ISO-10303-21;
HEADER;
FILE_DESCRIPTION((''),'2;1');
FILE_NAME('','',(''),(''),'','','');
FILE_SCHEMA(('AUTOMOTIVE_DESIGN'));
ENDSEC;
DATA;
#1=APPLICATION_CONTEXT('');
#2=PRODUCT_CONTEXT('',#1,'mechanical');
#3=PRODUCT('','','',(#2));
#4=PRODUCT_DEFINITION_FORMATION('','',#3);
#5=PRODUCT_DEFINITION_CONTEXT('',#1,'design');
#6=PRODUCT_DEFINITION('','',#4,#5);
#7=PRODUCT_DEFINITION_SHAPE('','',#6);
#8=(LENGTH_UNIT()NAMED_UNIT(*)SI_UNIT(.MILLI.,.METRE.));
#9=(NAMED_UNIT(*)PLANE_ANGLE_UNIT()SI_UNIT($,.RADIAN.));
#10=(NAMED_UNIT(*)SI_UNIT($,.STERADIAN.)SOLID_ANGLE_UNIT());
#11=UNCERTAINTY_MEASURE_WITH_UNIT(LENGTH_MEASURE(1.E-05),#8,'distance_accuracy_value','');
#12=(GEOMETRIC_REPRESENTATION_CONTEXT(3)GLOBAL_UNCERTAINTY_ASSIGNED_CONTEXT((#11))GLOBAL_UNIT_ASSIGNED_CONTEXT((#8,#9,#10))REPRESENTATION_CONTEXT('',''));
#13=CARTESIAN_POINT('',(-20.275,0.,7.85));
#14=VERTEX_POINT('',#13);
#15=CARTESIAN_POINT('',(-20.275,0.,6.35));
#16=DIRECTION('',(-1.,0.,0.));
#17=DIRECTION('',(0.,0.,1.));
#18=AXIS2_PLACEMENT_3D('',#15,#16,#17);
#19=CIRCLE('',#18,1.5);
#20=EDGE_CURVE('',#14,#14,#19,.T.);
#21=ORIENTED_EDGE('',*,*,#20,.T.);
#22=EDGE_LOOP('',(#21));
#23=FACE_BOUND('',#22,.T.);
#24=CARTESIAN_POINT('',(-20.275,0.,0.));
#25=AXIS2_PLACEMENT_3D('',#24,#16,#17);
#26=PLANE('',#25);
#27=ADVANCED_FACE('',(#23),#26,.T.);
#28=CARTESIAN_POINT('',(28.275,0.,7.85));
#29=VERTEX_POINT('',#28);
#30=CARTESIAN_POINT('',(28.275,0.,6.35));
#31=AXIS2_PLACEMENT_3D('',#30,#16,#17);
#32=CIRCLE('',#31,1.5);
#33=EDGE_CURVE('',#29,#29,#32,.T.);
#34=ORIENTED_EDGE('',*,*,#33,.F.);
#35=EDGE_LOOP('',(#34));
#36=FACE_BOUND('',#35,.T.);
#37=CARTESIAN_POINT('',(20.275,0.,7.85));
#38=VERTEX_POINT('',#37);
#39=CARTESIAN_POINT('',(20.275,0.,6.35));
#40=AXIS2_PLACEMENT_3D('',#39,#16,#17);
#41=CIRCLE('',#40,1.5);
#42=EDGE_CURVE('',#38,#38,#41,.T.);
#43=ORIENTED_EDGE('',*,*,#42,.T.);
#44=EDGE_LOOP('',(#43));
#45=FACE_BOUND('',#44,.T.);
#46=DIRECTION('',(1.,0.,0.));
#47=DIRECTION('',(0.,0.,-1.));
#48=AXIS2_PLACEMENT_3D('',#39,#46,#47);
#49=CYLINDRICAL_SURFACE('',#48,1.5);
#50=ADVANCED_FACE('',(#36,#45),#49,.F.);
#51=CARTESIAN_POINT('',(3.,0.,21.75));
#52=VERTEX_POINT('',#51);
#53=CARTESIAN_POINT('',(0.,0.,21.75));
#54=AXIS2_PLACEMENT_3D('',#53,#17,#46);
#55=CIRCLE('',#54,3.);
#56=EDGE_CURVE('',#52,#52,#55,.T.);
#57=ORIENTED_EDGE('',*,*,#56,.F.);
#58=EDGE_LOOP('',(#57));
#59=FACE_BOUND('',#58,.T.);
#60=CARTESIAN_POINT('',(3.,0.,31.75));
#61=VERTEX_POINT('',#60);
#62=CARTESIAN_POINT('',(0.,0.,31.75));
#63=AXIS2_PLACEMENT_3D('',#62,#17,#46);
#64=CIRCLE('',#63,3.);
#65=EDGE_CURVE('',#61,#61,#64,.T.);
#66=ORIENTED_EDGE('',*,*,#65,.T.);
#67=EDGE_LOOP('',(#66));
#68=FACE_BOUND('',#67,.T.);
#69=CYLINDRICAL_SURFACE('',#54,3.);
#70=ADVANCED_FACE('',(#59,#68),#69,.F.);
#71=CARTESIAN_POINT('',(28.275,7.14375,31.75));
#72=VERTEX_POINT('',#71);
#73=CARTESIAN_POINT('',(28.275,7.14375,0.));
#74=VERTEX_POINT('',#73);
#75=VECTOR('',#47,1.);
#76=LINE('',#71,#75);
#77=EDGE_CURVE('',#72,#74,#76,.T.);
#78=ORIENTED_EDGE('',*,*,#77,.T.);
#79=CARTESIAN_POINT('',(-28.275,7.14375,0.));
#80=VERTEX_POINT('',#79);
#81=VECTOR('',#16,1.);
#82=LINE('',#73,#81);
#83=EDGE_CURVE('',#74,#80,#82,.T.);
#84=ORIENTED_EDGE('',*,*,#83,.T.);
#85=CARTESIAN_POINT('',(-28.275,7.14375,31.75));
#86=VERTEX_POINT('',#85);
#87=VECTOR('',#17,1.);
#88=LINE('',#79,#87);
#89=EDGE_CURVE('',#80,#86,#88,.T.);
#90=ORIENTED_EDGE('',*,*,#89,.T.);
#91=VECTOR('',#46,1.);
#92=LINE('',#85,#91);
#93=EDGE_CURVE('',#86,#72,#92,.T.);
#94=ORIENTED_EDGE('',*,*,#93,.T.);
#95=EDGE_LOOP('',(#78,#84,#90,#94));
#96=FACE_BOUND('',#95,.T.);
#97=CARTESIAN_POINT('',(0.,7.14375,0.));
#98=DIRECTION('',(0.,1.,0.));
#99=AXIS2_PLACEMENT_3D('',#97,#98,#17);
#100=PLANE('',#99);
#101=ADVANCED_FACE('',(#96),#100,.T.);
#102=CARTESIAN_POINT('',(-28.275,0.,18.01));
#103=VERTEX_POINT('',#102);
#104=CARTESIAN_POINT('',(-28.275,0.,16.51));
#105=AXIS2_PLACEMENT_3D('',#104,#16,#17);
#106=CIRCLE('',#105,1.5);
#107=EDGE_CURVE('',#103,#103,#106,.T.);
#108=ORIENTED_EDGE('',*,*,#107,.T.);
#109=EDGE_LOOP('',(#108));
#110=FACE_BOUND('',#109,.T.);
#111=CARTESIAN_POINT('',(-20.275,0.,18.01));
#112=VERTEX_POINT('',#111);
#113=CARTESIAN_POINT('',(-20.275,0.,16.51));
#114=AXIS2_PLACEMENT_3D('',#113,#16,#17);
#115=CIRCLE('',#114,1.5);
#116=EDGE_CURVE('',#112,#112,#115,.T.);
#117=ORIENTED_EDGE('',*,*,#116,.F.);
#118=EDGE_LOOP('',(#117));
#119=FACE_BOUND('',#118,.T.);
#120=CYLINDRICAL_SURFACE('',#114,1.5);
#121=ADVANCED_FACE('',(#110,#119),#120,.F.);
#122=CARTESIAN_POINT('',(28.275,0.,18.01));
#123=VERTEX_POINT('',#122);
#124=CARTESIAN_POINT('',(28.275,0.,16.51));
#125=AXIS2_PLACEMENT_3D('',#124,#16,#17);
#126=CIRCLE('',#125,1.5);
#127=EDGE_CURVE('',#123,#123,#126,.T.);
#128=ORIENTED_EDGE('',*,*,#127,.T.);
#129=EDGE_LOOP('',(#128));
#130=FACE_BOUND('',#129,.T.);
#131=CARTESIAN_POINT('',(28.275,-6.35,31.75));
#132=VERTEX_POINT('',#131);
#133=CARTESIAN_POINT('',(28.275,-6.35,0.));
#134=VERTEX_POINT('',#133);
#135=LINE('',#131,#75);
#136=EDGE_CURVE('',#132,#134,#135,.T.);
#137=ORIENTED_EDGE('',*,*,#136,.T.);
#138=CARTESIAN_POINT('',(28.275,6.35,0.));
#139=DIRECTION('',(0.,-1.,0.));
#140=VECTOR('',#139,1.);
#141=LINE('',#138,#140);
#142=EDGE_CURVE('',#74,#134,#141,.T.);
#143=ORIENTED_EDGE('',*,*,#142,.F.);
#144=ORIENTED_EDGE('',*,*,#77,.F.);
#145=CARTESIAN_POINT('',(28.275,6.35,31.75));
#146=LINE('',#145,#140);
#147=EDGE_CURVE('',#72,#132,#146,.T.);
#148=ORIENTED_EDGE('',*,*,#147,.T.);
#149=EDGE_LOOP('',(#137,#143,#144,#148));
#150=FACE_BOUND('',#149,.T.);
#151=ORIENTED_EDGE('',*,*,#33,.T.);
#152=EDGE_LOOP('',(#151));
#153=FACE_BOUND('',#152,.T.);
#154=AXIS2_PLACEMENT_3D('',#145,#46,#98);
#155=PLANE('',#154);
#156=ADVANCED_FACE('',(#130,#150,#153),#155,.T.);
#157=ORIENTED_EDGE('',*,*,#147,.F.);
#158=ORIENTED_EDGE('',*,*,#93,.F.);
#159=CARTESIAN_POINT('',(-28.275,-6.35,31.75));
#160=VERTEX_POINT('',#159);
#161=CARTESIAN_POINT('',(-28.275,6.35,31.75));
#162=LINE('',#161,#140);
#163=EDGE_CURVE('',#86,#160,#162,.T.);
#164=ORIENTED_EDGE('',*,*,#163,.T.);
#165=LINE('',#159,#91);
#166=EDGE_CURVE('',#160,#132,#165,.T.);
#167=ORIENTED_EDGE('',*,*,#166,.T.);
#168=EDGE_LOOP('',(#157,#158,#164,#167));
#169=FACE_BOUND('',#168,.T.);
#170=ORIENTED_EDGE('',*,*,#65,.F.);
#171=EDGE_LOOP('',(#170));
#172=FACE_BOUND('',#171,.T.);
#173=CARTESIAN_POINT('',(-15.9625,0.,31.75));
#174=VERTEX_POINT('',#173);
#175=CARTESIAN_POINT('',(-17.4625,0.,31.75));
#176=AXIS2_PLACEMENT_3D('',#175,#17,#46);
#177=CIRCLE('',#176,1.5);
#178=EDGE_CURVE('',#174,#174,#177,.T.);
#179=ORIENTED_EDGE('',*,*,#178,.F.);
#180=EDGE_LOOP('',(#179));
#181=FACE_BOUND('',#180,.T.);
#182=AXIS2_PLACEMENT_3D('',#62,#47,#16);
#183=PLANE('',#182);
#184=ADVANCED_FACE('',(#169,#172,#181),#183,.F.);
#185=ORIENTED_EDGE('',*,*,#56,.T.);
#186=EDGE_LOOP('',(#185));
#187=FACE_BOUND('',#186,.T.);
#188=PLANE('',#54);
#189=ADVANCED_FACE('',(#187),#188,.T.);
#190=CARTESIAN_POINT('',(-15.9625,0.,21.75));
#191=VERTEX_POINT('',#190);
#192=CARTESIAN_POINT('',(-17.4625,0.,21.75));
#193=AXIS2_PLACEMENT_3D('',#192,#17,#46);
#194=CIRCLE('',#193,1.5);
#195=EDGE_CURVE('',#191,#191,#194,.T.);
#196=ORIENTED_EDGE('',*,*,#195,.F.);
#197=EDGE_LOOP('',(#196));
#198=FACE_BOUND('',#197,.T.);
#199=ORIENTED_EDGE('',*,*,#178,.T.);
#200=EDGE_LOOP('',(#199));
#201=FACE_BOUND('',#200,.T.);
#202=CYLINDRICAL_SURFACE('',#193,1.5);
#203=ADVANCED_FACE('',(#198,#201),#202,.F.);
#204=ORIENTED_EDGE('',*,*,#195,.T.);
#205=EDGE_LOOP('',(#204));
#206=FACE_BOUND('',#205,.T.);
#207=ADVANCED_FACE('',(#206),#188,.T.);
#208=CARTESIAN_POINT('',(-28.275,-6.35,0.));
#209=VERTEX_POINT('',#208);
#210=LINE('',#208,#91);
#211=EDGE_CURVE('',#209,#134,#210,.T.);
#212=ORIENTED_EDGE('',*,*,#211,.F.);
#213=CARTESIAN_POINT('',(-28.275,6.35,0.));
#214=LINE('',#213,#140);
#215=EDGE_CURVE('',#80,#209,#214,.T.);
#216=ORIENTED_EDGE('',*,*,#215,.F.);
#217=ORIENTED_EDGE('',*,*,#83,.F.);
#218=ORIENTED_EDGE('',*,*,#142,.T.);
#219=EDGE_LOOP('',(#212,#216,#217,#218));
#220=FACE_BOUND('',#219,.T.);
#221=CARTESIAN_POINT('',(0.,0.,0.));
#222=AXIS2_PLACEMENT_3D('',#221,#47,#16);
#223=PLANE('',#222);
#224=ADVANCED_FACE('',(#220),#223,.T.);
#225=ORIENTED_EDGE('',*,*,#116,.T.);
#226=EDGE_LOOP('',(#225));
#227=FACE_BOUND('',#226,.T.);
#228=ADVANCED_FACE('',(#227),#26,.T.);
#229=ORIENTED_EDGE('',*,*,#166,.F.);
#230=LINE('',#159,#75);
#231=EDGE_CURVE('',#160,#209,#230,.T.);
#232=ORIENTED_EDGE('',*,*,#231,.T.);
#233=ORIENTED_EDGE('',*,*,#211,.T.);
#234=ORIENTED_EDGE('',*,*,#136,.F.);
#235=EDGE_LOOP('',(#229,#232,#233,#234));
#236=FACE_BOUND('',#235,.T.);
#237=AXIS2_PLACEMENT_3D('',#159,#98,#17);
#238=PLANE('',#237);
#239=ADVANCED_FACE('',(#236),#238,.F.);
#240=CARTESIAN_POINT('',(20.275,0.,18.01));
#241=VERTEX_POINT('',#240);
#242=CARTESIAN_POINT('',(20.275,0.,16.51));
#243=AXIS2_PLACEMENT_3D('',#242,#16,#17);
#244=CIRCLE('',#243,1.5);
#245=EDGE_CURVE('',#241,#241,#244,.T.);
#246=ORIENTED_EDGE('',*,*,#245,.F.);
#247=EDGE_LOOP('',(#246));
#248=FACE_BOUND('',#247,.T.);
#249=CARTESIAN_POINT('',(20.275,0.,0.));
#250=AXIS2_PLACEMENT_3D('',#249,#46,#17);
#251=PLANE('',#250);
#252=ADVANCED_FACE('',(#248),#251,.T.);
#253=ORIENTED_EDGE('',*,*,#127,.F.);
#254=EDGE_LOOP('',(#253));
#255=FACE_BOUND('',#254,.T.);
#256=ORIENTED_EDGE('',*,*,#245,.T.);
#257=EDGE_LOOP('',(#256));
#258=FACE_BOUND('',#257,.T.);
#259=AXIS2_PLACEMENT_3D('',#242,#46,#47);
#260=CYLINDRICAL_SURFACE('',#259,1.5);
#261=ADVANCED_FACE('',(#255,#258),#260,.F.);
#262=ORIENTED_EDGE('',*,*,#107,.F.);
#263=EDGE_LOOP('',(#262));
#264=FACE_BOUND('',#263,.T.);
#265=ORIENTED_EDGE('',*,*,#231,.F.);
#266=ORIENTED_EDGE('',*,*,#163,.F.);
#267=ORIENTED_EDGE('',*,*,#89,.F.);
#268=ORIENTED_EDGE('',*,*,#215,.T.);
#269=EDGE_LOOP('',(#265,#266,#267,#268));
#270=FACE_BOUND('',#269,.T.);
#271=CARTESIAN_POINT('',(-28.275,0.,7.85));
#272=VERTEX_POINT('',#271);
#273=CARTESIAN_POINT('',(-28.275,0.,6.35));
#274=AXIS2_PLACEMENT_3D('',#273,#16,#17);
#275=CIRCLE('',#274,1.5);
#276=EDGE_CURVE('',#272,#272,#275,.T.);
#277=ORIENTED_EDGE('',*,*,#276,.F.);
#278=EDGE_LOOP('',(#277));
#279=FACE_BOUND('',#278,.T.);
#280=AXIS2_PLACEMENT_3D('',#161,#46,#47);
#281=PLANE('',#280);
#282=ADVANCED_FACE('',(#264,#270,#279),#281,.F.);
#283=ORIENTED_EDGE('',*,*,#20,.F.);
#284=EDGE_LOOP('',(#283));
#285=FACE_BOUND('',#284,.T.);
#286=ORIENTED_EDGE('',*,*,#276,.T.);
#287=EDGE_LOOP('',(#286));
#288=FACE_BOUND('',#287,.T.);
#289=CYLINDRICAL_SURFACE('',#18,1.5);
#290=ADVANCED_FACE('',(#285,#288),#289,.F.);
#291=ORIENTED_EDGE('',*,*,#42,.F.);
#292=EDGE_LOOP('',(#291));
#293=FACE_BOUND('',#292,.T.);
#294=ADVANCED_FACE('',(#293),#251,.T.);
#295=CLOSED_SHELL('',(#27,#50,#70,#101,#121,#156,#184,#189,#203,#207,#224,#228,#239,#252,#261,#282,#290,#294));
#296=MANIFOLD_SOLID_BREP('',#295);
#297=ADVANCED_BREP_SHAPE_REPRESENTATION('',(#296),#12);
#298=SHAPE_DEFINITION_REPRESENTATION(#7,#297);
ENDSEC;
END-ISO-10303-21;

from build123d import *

# Parameters (mm, degrees)
SKETCH1_W           = 56.55
SKETCH1_H           = 12.7
BOSS_EXTRUDE1_DEPTH = 31.75
SKETCH2_R           = 1.5
SKETCH2_R_2         = 3
CUT_EXTRUDE1_DEPTH  = 10
CUT_EXTRUDE2_DEPTH  = 8
SKETCH4_W           = 56.55
SKETCH4_H           = 31.75
BOSS_EXTRUDE2_DEPTH = 0.79375


with BuildPart() as part:
    # Sketch1 → Boss-Extrude1 (new body)
    with BuildSketch(Plane.XY):
        Rectangle(SKETCH1_W, SKETCH1_H)
    extrude(amount=BOSS_EXTRUDE1_DEPTH)

    # Sketch2 → Cut-Extrude1 (cut)
    with BuildSketch(Plane.XY.offset(31.75)):
        with Locations((-17.4625, 0)):
            Circle(SKETCH2_R)
        Circle(SKETCH2_R_2)
    extrude(amount=-CUT_EXTRUDE1_DEPTH, mode=Mode.SUBTRACT)

    # Sketch3 → Cut-Extrude2 (cut)
    with BuildSketch(Plane.ZY.offset(28.275)):
        with BuildLine():
            ThreePointArc((4.85, 0), (6.35, -1.5), (7.85, 0))
            Line((7.85, 0), (4.85, 0))
        make_face()
        with BuildLine():
            Line((4.85, 0), (7.85, 0))
            ThreePointArc((7.85, 0), (6.35, 1.5), (4.85, 0))
        make_face()
        with BuildLine():
            ThreePointArc((15.01, 0), (16.51, -1.5), (18.01, 0))
            Line((18.01, 0), (15.01, 0))
        make_face()
        with BuildLine():
            Line((15.01, 0), (18.01, 0))
            ThreePointArc((18.01, 0), (16.51, 1.5), (15.01, 0))
        make_face()
    cut_extrude2 = extrude(amount=-CUT_EXTRUDE2_DEPTH, mode=Mode.SUBTRACT)

    # Sketch4 → Boss-Extrude2 (add)
    with BuildSketch(Plane(origin=(0, 6.35, 0), x_dir=(1, 0, 0), z_dir=(0, 1, 0))):
        with Locations((0, -15.875)):
            Rectangle(SKETCH4_W, SKETCH4_H)
    extrude(amount=BOSS_EXTRUDE2_DEPTH)

    # Mirror1: Cut-Extrude2 across plane
    add(cut_extrude2.mirror(Plane(origin=(0, 0, 0), x_dir=(0, 0, 1), z_dir=(1, 0, 0))), mode=Mode.SUBTRACT)


solid = part.part
